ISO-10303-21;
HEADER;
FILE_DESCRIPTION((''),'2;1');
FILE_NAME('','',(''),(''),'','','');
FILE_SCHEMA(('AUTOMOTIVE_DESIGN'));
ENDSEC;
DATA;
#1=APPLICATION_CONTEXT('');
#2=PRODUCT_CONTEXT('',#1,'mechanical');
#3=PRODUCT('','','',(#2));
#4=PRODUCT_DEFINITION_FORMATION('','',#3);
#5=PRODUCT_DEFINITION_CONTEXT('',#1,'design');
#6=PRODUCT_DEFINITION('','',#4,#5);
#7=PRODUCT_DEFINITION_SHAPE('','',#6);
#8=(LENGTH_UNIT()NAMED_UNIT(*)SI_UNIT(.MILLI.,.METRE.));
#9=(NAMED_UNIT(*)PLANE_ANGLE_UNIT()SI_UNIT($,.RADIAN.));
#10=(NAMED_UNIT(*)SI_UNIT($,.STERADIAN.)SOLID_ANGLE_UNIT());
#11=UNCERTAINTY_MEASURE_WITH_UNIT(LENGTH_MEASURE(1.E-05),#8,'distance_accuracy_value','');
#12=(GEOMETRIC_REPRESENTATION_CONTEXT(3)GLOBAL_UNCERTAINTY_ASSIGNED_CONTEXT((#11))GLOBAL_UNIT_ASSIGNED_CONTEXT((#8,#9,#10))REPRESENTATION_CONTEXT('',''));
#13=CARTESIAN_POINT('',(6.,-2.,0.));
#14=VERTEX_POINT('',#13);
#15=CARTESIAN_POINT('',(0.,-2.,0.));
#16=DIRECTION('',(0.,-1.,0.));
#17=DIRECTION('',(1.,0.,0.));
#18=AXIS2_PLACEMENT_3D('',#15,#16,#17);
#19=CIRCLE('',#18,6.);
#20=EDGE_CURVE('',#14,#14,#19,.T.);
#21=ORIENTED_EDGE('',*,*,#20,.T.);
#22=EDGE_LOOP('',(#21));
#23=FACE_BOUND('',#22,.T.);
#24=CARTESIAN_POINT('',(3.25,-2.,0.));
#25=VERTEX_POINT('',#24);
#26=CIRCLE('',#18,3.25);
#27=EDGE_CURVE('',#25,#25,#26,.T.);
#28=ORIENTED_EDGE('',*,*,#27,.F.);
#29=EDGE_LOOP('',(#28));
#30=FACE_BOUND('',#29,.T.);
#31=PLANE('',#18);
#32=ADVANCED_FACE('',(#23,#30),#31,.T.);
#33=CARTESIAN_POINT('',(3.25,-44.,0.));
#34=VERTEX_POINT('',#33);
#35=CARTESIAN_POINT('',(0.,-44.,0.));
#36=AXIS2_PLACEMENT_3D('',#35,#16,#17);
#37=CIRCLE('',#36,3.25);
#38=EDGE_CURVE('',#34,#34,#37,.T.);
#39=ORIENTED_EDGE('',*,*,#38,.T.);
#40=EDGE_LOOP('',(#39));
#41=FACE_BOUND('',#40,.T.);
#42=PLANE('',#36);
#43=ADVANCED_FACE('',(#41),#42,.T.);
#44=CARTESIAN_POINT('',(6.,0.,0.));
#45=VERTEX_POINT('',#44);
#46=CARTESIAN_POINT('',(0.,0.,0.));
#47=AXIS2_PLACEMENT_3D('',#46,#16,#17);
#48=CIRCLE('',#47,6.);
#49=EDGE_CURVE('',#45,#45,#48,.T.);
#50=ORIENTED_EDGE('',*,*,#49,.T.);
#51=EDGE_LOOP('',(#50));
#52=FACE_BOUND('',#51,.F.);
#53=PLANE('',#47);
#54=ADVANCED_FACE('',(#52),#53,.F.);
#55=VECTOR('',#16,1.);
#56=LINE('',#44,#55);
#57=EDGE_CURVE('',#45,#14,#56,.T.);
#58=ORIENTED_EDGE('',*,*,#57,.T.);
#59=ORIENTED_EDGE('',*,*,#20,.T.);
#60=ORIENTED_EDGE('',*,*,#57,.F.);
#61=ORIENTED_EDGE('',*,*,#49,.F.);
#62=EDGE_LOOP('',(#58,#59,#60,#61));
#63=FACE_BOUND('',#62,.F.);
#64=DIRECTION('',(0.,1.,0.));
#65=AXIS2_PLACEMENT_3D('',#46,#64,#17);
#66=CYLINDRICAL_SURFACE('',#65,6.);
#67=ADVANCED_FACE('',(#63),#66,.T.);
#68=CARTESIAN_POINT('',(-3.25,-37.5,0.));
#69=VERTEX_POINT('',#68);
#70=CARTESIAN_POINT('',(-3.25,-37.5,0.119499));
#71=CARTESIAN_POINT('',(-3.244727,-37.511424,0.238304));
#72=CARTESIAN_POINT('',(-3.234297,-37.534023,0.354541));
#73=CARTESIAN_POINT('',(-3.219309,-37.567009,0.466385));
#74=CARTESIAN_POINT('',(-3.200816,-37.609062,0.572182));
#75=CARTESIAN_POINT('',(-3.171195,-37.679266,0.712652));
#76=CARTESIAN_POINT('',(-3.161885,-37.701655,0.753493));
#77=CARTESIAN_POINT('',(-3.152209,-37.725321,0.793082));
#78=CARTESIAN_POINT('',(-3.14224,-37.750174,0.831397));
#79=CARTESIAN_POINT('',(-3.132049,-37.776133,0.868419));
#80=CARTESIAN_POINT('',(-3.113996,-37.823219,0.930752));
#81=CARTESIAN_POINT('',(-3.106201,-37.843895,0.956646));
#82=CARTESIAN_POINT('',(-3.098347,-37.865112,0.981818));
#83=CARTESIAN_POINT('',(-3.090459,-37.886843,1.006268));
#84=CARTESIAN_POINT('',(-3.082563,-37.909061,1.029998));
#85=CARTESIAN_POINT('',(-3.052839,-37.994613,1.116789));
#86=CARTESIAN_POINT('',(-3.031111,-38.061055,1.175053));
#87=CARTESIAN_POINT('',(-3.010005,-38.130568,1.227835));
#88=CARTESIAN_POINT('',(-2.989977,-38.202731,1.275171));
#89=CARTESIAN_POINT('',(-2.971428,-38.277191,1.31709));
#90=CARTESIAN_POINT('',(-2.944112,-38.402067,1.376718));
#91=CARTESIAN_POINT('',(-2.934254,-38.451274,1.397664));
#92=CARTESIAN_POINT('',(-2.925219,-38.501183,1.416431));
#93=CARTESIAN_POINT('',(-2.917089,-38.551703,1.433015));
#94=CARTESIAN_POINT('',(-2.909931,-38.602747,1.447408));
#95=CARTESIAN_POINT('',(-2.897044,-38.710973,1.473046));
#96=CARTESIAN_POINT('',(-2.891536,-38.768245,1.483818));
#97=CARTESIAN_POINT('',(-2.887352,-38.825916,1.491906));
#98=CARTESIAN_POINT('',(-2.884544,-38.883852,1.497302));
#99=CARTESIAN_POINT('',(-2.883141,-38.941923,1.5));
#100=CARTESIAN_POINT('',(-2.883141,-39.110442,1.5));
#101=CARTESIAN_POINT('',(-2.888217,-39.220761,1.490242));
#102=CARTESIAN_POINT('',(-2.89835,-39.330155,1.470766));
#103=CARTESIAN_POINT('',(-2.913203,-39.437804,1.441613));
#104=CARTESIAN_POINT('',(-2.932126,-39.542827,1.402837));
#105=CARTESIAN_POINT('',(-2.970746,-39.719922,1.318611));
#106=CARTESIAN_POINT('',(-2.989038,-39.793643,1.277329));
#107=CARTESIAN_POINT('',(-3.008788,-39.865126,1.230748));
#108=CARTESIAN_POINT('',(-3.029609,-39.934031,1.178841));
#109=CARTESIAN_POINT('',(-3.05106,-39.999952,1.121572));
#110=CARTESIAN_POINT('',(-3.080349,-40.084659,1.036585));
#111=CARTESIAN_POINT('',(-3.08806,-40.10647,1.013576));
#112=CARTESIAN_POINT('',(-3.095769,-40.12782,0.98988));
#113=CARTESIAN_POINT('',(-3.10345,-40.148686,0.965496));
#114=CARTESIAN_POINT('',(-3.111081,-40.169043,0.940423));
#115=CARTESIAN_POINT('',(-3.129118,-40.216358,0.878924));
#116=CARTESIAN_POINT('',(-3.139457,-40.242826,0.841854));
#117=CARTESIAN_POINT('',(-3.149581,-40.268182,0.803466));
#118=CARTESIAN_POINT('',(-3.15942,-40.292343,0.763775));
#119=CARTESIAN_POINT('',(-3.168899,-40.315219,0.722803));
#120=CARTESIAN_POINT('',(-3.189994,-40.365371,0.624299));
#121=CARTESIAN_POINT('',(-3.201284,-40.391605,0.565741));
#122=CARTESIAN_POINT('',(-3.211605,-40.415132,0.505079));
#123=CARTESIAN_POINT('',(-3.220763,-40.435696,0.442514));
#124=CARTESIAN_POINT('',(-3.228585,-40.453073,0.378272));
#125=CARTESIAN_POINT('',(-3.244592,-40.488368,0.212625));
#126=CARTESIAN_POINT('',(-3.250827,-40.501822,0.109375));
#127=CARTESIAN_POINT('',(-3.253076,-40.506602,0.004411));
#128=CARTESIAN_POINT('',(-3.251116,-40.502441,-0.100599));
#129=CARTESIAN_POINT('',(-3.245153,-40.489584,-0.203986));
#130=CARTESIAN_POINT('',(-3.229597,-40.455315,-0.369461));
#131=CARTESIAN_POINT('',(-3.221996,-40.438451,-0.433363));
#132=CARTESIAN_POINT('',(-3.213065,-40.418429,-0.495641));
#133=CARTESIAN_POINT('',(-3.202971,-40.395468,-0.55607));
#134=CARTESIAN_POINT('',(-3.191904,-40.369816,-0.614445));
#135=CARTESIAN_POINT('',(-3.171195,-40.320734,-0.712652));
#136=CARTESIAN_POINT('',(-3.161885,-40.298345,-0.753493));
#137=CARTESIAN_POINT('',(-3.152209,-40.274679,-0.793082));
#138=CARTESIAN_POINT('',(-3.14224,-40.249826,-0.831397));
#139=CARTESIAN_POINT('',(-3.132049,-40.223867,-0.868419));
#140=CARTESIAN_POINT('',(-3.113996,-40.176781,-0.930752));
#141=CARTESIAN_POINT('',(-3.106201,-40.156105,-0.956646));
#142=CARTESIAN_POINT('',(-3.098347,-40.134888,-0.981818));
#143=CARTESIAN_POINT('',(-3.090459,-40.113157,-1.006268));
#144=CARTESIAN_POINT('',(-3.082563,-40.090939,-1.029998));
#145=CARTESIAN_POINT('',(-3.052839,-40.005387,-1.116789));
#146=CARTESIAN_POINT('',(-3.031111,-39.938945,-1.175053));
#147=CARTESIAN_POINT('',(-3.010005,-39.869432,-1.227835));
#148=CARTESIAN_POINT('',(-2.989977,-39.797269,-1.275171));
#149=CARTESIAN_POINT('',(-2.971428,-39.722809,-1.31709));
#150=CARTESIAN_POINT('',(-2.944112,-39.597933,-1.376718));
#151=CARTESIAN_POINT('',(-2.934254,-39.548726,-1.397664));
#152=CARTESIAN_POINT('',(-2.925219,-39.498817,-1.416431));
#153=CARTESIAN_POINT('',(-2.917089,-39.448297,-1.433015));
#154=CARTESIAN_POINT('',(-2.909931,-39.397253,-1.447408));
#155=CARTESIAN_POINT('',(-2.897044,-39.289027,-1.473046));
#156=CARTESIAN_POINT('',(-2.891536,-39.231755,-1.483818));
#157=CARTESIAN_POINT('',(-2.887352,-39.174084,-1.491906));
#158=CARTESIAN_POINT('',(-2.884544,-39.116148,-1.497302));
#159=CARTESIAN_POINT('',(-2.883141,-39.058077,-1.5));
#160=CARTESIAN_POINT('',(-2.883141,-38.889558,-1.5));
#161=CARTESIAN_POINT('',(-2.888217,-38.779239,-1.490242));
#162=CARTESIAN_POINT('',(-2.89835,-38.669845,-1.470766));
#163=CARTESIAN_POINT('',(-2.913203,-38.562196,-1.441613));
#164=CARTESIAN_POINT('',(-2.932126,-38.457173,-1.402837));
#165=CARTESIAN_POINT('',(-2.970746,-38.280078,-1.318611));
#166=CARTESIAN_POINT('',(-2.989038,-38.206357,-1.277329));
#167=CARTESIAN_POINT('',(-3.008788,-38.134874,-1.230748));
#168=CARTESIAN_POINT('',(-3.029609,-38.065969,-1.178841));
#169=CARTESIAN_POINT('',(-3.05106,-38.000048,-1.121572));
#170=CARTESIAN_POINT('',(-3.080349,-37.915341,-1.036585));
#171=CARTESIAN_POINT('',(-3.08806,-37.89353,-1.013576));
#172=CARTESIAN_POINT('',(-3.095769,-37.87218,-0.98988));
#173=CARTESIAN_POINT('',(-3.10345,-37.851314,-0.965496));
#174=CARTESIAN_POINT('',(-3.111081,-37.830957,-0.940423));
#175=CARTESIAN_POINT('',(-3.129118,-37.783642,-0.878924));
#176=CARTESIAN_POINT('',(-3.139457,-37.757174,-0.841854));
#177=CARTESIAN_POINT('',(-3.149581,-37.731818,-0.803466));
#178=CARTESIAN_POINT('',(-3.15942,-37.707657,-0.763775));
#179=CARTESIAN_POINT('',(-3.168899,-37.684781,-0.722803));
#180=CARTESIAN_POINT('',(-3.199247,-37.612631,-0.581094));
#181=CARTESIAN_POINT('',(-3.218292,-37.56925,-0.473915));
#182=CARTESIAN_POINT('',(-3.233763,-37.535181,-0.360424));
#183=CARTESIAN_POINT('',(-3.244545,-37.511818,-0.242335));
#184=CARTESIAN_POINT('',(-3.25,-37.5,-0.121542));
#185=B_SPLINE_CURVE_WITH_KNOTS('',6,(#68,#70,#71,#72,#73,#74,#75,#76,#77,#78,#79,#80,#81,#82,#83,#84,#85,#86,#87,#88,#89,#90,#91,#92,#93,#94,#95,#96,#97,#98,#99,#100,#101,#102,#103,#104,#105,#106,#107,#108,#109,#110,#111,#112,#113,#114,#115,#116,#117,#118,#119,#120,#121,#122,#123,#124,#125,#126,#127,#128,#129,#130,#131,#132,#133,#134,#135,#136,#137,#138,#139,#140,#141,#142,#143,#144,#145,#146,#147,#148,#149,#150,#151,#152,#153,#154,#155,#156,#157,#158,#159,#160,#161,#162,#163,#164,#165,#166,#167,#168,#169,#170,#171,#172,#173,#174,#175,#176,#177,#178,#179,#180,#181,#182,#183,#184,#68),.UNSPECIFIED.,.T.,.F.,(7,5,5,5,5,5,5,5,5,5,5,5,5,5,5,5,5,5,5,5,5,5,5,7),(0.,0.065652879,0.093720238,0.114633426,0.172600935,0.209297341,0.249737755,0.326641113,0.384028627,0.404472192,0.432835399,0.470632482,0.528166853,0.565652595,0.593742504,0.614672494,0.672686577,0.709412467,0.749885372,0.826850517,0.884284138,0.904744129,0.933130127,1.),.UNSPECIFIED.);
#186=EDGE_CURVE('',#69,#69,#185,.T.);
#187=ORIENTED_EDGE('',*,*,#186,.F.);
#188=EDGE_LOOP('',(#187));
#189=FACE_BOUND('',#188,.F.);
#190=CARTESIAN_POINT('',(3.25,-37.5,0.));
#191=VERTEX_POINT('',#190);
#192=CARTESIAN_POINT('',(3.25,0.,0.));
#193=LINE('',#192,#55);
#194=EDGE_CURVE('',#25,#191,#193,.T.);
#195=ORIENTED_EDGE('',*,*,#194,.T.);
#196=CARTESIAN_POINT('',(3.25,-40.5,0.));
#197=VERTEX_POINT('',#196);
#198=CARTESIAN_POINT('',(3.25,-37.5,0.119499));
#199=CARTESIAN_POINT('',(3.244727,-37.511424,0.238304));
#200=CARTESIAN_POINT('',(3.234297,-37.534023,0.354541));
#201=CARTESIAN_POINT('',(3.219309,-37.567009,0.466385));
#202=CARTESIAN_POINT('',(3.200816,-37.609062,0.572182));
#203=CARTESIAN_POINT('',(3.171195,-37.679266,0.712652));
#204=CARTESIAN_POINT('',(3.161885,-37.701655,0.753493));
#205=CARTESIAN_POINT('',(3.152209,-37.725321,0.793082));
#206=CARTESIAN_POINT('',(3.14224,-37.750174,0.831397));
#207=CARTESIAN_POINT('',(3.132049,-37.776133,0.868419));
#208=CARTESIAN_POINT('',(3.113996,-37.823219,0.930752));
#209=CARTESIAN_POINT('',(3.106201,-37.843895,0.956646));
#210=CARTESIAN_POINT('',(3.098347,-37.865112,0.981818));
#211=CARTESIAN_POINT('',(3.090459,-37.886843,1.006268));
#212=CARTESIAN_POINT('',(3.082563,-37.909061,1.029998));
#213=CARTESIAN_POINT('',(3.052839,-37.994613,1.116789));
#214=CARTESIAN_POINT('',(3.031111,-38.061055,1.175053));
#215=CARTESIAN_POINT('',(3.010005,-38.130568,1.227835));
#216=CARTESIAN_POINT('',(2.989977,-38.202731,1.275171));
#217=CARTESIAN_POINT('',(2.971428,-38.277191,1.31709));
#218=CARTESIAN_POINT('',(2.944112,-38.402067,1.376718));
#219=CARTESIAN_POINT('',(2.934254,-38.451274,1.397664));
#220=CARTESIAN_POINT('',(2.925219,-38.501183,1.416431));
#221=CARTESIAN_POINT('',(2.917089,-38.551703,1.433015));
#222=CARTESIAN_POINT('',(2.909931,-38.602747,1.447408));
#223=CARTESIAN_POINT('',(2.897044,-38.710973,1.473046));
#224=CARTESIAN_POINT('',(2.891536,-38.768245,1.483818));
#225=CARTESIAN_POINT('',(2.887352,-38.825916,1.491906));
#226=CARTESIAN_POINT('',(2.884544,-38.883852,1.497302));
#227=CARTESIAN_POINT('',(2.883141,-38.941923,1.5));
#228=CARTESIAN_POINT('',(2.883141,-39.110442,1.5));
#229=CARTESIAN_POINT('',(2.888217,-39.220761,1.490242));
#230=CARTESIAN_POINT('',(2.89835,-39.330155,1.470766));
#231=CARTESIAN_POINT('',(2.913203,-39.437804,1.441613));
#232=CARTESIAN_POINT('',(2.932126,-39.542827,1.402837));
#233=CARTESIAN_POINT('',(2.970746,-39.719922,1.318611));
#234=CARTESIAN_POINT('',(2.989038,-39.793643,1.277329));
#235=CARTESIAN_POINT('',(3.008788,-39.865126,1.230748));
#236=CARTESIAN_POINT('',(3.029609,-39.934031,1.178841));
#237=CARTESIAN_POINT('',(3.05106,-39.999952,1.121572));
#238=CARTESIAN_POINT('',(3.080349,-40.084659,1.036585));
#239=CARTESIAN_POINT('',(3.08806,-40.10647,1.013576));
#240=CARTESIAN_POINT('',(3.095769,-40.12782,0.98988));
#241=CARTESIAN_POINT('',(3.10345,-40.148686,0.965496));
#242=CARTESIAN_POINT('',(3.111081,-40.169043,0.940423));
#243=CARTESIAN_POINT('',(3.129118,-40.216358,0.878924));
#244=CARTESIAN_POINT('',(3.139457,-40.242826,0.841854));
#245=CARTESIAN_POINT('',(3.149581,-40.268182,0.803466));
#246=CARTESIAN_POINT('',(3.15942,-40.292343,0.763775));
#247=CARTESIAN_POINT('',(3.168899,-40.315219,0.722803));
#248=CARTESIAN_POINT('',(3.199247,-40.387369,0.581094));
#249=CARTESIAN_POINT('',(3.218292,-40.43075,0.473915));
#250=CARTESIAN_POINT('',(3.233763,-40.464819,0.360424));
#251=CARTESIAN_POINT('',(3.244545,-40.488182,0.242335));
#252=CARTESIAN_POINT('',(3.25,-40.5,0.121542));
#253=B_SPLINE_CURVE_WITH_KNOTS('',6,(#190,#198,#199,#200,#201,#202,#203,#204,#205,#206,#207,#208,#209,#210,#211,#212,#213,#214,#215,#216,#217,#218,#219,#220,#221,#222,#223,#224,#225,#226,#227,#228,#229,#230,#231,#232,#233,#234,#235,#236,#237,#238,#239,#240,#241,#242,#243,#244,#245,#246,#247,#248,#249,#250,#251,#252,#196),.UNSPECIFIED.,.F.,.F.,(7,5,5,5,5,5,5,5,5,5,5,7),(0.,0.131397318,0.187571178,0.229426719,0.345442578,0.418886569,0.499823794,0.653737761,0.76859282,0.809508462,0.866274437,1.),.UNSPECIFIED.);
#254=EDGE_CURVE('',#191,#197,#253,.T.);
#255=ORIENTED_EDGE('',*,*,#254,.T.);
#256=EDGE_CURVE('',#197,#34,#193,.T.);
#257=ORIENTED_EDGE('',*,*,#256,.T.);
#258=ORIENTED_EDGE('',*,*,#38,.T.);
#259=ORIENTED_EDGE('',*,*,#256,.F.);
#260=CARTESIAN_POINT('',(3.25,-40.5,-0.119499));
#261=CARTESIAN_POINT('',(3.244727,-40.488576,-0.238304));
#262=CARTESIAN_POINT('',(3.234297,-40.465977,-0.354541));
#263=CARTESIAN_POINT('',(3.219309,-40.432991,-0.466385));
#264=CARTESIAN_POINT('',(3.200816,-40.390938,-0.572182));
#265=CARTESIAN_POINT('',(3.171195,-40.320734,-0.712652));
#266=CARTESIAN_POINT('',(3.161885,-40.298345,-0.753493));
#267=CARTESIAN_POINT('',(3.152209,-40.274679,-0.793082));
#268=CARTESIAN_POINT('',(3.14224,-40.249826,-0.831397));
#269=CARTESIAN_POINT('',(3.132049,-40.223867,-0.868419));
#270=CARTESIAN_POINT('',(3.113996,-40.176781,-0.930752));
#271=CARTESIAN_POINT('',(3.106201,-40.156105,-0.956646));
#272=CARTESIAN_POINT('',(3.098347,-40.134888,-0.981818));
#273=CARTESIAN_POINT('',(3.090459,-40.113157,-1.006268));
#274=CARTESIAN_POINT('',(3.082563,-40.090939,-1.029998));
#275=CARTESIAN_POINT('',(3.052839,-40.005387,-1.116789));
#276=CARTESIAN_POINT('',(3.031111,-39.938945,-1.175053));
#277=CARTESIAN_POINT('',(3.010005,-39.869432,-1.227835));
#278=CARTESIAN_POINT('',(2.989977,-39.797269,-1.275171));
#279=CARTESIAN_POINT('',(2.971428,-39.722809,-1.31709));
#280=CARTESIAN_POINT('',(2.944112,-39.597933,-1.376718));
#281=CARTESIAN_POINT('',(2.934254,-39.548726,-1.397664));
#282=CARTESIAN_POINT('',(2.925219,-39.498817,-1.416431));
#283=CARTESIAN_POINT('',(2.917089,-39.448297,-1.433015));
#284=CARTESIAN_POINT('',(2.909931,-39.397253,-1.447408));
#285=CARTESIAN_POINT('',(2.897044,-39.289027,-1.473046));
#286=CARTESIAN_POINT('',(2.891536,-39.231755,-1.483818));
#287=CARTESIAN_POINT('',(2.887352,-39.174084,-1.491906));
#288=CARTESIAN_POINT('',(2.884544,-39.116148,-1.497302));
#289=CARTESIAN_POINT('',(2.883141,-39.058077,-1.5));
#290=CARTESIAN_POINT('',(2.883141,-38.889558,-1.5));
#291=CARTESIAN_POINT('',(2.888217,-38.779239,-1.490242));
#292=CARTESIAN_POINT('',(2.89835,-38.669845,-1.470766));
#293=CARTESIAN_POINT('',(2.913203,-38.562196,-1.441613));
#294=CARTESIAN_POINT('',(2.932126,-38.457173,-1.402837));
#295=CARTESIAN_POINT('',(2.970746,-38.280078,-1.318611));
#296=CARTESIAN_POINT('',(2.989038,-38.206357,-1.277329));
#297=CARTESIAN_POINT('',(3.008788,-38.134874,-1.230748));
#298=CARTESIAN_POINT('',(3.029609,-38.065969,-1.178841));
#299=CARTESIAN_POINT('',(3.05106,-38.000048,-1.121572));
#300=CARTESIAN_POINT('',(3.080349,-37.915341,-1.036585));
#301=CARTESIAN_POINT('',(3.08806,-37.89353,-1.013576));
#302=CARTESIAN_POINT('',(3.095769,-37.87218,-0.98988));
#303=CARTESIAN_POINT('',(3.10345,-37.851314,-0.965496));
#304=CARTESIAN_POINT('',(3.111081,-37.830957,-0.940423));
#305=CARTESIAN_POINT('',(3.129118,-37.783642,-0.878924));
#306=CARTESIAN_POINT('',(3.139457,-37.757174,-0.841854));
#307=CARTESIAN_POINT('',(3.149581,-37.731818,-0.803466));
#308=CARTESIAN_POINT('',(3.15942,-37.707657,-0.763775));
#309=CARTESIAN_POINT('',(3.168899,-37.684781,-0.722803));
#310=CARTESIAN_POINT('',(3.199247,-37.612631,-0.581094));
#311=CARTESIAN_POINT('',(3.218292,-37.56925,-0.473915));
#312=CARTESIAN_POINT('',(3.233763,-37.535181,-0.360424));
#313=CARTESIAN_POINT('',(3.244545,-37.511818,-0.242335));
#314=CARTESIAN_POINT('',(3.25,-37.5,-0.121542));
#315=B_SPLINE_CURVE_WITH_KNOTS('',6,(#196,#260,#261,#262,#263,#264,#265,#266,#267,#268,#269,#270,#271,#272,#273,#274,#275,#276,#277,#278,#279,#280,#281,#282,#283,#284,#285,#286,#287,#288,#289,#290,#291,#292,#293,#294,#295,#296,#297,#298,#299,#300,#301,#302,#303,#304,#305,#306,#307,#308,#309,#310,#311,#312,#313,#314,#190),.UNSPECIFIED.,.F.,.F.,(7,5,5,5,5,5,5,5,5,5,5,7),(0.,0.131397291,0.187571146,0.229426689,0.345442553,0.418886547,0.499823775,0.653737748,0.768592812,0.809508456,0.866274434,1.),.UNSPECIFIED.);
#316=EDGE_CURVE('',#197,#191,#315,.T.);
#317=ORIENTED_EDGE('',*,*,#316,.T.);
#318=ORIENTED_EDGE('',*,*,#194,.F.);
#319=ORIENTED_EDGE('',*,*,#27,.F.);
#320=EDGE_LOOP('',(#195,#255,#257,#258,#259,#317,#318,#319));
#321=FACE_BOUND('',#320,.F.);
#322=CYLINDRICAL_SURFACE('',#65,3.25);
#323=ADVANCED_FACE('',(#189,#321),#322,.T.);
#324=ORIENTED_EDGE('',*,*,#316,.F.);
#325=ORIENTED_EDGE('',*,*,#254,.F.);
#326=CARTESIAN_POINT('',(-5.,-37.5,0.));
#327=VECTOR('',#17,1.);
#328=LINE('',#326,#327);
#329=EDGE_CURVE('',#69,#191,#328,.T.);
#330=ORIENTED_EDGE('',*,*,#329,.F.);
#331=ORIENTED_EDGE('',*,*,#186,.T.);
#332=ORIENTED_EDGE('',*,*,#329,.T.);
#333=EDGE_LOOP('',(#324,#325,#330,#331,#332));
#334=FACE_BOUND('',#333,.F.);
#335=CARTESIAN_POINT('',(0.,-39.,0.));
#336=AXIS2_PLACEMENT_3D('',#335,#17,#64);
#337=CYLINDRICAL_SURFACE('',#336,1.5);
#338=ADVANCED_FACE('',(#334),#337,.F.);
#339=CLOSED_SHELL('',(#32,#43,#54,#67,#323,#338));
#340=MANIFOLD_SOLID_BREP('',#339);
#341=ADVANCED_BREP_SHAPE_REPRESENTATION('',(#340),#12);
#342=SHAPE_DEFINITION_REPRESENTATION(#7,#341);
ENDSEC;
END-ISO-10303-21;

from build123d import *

# Parameters (mm, degrees)
F0_R     = 3.25
F1_DEPTH = 44
F0_R_2   = 6
F2_DEPTH = 2
F3_R     = 1.5
F4_DEPTH = 5


with BuildPart() as f1:
    # F0 (on Front) → F1 (new body)
    with BuildSketch(Plane.XZ):
        Circle(F0_R)
    extrude(amount=F1_DEPTH)

    # F0 (on Front) → F2 (join)
    with BuildSketch(Plane.XZ):
        Circle(F0_R_2)
        Circle(F0_R, mode=Mode.SUBTRACT)
    extrude(amount=F2_DEPTH)

    # F3 (on Right) → F4 (cut, symmetric)
    with BuildSketch(Plane.YZ):
        with Locations((-39, 0)):
            Circle(F3_R)
    extrude(amount=F4_DEPTH, both=True, mode=Mode.SUBTRACT)


solid = f1.part
